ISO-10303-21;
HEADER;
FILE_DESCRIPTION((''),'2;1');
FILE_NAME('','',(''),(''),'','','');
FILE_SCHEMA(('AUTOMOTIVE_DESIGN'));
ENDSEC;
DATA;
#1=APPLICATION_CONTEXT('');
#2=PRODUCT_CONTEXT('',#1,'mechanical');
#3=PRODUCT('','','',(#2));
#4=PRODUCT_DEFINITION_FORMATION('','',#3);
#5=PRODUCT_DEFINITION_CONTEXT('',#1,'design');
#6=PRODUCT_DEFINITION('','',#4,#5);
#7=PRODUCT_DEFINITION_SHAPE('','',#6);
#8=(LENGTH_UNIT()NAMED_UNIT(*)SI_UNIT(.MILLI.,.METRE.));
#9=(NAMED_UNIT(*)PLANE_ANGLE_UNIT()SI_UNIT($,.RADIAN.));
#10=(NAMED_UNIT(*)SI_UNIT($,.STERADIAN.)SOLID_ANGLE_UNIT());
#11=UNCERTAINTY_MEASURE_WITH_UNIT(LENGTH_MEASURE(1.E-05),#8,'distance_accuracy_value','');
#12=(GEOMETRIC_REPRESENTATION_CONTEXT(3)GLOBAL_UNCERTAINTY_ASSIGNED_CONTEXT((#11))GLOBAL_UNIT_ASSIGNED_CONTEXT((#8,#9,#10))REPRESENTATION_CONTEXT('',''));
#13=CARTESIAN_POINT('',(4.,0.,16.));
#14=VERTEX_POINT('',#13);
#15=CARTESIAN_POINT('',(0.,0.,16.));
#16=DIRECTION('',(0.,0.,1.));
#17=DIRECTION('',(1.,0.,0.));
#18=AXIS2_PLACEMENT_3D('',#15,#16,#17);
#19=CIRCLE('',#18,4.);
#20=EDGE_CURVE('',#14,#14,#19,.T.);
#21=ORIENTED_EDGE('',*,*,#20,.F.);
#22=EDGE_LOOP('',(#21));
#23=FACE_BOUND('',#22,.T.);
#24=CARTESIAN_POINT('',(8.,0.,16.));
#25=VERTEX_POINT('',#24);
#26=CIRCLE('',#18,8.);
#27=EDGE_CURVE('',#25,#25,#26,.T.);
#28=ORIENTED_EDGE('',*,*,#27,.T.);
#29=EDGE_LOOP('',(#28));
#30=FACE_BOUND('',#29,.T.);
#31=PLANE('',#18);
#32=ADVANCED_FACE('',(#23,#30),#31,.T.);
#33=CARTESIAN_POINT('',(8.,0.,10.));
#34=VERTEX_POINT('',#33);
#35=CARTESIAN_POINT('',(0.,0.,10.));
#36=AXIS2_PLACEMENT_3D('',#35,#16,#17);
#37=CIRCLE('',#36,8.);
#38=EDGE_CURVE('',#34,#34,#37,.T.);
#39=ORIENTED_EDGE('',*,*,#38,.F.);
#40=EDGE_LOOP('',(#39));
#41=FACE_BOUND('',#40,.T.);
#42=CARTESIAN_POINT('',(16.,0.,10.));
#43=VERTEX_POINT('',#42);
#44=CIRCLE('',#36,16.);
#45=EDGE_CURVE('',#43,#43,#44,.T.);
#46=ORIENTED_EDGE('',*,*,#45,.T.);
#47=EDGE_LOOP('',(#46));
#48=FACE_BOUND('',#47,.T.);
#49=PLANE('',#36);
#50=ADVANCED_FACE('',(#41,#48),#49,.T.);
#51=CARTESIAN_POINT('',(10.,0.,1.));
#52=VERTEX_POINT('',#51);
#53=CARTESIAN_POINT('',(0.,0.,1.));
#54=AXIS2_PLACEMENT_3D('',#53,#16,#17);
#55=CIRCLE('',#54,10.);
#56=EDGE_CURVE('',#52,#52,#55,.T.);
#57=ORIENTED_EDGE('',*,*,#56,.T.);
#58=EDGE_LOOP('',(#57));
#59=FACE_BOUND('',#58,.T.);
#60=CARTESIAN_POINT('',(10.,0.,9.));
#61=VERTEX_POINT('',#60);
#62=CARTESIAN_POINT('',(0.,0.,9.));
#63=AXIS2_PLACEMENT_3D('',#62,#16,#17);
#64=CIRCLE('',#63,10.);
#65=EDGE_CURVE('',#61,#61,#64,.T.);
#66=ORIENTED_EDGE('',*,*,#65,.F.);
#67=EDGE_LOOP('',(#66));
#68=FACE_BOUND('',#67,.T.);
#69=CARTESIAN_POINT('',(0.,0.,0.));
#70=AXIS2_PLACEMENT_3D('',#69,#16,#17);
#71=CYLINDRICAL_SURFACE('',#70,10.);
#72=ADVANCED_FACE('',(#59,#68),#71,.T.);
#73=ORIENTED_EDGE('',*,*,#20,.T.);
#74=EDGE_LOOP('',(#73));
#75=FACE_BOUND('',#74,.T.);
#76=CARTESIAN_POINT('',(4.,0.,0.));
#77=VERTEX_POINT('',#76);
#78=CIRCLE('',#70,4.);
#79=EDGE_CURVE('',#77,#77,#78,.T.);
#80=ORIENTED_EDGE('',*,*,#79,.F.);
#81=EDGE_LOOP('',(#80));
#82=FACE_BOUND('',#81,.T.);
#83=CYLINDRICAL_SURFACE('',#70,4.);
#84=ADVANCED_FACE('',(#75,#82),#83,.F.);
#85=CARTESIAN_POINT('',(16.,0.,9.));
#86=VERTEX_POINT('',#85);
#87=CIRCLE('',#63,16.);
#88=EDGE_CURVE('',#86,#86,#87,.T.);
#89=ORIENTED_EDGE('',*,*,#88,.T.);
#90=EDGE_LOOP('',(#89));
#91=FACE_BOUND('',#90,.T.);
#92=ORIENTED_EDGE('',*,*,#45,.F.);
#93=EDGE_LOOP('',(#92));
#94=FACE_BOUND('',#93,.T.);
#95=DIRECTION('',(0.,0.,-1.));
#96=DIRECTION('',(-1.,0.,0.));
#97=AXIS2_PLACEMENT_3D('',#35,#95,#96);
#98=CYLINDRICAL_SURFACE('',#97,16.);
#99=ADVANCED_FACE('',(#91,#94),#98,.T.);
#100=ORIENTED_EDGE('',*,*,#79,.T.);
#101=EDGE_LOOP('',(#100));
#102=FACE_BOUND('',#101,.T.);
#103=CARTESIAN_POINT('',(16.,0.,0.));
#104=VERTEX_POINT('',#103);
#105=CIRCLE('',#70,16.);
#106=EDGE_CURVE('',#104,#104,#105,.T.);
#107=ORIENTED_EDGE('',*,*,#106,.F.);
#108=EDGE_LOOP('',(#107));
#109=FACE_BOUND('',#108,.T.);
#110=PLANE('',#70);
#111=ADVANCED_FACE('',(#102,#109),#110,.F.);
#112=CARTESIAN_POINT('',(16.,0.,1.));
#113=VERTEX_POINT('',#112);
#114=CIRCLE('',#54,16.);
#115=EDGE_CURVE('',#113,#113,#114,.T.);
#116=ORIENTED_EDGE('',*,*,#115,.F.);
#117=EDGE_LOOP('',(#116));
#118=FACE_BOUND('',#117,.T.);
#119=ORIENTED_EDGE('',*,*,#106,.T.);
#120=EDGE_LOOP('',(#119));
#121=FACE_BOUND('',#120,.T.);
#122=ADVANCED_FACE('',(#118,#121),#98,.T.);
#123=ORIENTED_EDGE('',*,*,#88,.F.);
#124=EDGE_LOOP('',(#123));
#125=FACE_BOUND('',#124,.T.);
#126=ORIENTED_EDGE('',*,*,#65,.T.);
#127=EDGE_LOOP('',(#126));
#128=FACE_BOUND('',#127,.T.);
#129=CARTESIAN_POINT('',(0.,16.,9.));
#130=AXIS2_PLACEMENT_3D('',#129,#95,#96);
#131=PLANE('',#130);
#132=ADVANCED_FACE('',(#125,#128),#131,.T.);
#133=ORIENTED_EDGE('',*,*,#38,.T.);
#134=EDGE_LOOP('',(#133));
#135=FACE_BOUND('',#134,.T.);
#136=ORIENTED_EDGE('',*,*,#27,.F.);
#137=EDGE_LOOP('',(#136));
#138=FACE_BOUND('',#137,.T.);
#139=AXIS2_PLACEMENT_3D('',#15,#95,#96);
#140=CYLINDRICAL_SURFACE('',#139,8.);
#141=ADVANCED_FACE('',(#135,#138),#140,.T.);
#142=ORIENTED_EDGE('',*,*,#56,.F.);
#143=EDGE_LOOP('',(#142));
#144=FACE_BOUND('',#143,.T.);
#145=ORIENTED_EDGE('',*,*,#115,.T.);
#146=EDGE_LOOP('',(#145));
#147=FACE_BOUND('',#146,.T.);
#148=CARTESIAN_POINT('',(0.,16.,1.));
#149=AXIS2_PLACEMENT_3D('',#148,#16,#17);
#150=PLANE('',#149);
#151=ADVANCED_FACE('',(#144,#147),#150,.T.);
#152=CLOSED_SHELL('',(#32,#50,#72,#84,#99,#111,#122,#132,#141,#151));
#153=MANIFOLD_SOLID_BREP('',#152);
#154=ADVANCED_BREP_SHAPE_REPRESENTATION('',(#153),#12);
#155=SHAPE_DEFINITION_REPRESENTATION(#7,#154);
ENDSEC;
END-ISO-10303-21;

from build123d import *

# Parameters (mm, degrees)
ESQUISSE1_R             = 16
BOSS_EXTRU_1_DEPTH      = 10
ESQUISSE2_R             = 8
BOSS_EXTRU_2_DEPTH      = 6
ESQUISSE3_R             = 4
ENL_V_MAT_EXTRU_1_DEPTH = 28.712812921
ESQUISSE4_W             = 8
ESQUISSE4_H             = 6


with BuildPart() as part:
    # Esquisse1 → Boss.-Extru.1 (new body)
    with BuildSketch(Plane.XY):
        Circle(ESQUISSE1_R)
    extrude(amount=BOSS_EXTRU_1_DEPTH)

    # Esquisse2 → Boss.-Extru.2 (add)
    with BuildSketch(Plane.XY.offset(10)):
        Circle(ESQUISSE2_R)
    extrude(amount=BOSS_EXTRU_2_DEPTH)

    # Esquisse3 → Enlèv. mat.-Extru.1 (cut, through all)
    with BuildSketch(Plane.XY.offset(16)):
        Circle(ESQUISSE3_R)
    extrude(amount=-ENL_V_MAT_EXTRU_1_DEPTH, mode=Mode.SUBTRACT)

    # Esquisse4 → Enlèvement de matière-Révolution1 (revolve, cut)
    with BuildSketch(Plane(origin=(0, 0, 0), x_dir=(0, 0, -1), z_dir=(1, 0, 0)), mode=Mode.PRIVATE) as enl_vement_de_mati_re_r_volution1_sk:
        with Locations((-5, 13)):
            Rectangle(ESQUISSE4_W, ESQUISSE4_H)
    revolve(enl_vement_de_mati_re_r_volution1_sk.sketch.rotate(Axis((0, 0, 0), (0, 0, -1)), 90), axis=Axis((0, 0, 0), (0, 0, -1)), mode=Mode.SUBTRACT)


solid = part.part
